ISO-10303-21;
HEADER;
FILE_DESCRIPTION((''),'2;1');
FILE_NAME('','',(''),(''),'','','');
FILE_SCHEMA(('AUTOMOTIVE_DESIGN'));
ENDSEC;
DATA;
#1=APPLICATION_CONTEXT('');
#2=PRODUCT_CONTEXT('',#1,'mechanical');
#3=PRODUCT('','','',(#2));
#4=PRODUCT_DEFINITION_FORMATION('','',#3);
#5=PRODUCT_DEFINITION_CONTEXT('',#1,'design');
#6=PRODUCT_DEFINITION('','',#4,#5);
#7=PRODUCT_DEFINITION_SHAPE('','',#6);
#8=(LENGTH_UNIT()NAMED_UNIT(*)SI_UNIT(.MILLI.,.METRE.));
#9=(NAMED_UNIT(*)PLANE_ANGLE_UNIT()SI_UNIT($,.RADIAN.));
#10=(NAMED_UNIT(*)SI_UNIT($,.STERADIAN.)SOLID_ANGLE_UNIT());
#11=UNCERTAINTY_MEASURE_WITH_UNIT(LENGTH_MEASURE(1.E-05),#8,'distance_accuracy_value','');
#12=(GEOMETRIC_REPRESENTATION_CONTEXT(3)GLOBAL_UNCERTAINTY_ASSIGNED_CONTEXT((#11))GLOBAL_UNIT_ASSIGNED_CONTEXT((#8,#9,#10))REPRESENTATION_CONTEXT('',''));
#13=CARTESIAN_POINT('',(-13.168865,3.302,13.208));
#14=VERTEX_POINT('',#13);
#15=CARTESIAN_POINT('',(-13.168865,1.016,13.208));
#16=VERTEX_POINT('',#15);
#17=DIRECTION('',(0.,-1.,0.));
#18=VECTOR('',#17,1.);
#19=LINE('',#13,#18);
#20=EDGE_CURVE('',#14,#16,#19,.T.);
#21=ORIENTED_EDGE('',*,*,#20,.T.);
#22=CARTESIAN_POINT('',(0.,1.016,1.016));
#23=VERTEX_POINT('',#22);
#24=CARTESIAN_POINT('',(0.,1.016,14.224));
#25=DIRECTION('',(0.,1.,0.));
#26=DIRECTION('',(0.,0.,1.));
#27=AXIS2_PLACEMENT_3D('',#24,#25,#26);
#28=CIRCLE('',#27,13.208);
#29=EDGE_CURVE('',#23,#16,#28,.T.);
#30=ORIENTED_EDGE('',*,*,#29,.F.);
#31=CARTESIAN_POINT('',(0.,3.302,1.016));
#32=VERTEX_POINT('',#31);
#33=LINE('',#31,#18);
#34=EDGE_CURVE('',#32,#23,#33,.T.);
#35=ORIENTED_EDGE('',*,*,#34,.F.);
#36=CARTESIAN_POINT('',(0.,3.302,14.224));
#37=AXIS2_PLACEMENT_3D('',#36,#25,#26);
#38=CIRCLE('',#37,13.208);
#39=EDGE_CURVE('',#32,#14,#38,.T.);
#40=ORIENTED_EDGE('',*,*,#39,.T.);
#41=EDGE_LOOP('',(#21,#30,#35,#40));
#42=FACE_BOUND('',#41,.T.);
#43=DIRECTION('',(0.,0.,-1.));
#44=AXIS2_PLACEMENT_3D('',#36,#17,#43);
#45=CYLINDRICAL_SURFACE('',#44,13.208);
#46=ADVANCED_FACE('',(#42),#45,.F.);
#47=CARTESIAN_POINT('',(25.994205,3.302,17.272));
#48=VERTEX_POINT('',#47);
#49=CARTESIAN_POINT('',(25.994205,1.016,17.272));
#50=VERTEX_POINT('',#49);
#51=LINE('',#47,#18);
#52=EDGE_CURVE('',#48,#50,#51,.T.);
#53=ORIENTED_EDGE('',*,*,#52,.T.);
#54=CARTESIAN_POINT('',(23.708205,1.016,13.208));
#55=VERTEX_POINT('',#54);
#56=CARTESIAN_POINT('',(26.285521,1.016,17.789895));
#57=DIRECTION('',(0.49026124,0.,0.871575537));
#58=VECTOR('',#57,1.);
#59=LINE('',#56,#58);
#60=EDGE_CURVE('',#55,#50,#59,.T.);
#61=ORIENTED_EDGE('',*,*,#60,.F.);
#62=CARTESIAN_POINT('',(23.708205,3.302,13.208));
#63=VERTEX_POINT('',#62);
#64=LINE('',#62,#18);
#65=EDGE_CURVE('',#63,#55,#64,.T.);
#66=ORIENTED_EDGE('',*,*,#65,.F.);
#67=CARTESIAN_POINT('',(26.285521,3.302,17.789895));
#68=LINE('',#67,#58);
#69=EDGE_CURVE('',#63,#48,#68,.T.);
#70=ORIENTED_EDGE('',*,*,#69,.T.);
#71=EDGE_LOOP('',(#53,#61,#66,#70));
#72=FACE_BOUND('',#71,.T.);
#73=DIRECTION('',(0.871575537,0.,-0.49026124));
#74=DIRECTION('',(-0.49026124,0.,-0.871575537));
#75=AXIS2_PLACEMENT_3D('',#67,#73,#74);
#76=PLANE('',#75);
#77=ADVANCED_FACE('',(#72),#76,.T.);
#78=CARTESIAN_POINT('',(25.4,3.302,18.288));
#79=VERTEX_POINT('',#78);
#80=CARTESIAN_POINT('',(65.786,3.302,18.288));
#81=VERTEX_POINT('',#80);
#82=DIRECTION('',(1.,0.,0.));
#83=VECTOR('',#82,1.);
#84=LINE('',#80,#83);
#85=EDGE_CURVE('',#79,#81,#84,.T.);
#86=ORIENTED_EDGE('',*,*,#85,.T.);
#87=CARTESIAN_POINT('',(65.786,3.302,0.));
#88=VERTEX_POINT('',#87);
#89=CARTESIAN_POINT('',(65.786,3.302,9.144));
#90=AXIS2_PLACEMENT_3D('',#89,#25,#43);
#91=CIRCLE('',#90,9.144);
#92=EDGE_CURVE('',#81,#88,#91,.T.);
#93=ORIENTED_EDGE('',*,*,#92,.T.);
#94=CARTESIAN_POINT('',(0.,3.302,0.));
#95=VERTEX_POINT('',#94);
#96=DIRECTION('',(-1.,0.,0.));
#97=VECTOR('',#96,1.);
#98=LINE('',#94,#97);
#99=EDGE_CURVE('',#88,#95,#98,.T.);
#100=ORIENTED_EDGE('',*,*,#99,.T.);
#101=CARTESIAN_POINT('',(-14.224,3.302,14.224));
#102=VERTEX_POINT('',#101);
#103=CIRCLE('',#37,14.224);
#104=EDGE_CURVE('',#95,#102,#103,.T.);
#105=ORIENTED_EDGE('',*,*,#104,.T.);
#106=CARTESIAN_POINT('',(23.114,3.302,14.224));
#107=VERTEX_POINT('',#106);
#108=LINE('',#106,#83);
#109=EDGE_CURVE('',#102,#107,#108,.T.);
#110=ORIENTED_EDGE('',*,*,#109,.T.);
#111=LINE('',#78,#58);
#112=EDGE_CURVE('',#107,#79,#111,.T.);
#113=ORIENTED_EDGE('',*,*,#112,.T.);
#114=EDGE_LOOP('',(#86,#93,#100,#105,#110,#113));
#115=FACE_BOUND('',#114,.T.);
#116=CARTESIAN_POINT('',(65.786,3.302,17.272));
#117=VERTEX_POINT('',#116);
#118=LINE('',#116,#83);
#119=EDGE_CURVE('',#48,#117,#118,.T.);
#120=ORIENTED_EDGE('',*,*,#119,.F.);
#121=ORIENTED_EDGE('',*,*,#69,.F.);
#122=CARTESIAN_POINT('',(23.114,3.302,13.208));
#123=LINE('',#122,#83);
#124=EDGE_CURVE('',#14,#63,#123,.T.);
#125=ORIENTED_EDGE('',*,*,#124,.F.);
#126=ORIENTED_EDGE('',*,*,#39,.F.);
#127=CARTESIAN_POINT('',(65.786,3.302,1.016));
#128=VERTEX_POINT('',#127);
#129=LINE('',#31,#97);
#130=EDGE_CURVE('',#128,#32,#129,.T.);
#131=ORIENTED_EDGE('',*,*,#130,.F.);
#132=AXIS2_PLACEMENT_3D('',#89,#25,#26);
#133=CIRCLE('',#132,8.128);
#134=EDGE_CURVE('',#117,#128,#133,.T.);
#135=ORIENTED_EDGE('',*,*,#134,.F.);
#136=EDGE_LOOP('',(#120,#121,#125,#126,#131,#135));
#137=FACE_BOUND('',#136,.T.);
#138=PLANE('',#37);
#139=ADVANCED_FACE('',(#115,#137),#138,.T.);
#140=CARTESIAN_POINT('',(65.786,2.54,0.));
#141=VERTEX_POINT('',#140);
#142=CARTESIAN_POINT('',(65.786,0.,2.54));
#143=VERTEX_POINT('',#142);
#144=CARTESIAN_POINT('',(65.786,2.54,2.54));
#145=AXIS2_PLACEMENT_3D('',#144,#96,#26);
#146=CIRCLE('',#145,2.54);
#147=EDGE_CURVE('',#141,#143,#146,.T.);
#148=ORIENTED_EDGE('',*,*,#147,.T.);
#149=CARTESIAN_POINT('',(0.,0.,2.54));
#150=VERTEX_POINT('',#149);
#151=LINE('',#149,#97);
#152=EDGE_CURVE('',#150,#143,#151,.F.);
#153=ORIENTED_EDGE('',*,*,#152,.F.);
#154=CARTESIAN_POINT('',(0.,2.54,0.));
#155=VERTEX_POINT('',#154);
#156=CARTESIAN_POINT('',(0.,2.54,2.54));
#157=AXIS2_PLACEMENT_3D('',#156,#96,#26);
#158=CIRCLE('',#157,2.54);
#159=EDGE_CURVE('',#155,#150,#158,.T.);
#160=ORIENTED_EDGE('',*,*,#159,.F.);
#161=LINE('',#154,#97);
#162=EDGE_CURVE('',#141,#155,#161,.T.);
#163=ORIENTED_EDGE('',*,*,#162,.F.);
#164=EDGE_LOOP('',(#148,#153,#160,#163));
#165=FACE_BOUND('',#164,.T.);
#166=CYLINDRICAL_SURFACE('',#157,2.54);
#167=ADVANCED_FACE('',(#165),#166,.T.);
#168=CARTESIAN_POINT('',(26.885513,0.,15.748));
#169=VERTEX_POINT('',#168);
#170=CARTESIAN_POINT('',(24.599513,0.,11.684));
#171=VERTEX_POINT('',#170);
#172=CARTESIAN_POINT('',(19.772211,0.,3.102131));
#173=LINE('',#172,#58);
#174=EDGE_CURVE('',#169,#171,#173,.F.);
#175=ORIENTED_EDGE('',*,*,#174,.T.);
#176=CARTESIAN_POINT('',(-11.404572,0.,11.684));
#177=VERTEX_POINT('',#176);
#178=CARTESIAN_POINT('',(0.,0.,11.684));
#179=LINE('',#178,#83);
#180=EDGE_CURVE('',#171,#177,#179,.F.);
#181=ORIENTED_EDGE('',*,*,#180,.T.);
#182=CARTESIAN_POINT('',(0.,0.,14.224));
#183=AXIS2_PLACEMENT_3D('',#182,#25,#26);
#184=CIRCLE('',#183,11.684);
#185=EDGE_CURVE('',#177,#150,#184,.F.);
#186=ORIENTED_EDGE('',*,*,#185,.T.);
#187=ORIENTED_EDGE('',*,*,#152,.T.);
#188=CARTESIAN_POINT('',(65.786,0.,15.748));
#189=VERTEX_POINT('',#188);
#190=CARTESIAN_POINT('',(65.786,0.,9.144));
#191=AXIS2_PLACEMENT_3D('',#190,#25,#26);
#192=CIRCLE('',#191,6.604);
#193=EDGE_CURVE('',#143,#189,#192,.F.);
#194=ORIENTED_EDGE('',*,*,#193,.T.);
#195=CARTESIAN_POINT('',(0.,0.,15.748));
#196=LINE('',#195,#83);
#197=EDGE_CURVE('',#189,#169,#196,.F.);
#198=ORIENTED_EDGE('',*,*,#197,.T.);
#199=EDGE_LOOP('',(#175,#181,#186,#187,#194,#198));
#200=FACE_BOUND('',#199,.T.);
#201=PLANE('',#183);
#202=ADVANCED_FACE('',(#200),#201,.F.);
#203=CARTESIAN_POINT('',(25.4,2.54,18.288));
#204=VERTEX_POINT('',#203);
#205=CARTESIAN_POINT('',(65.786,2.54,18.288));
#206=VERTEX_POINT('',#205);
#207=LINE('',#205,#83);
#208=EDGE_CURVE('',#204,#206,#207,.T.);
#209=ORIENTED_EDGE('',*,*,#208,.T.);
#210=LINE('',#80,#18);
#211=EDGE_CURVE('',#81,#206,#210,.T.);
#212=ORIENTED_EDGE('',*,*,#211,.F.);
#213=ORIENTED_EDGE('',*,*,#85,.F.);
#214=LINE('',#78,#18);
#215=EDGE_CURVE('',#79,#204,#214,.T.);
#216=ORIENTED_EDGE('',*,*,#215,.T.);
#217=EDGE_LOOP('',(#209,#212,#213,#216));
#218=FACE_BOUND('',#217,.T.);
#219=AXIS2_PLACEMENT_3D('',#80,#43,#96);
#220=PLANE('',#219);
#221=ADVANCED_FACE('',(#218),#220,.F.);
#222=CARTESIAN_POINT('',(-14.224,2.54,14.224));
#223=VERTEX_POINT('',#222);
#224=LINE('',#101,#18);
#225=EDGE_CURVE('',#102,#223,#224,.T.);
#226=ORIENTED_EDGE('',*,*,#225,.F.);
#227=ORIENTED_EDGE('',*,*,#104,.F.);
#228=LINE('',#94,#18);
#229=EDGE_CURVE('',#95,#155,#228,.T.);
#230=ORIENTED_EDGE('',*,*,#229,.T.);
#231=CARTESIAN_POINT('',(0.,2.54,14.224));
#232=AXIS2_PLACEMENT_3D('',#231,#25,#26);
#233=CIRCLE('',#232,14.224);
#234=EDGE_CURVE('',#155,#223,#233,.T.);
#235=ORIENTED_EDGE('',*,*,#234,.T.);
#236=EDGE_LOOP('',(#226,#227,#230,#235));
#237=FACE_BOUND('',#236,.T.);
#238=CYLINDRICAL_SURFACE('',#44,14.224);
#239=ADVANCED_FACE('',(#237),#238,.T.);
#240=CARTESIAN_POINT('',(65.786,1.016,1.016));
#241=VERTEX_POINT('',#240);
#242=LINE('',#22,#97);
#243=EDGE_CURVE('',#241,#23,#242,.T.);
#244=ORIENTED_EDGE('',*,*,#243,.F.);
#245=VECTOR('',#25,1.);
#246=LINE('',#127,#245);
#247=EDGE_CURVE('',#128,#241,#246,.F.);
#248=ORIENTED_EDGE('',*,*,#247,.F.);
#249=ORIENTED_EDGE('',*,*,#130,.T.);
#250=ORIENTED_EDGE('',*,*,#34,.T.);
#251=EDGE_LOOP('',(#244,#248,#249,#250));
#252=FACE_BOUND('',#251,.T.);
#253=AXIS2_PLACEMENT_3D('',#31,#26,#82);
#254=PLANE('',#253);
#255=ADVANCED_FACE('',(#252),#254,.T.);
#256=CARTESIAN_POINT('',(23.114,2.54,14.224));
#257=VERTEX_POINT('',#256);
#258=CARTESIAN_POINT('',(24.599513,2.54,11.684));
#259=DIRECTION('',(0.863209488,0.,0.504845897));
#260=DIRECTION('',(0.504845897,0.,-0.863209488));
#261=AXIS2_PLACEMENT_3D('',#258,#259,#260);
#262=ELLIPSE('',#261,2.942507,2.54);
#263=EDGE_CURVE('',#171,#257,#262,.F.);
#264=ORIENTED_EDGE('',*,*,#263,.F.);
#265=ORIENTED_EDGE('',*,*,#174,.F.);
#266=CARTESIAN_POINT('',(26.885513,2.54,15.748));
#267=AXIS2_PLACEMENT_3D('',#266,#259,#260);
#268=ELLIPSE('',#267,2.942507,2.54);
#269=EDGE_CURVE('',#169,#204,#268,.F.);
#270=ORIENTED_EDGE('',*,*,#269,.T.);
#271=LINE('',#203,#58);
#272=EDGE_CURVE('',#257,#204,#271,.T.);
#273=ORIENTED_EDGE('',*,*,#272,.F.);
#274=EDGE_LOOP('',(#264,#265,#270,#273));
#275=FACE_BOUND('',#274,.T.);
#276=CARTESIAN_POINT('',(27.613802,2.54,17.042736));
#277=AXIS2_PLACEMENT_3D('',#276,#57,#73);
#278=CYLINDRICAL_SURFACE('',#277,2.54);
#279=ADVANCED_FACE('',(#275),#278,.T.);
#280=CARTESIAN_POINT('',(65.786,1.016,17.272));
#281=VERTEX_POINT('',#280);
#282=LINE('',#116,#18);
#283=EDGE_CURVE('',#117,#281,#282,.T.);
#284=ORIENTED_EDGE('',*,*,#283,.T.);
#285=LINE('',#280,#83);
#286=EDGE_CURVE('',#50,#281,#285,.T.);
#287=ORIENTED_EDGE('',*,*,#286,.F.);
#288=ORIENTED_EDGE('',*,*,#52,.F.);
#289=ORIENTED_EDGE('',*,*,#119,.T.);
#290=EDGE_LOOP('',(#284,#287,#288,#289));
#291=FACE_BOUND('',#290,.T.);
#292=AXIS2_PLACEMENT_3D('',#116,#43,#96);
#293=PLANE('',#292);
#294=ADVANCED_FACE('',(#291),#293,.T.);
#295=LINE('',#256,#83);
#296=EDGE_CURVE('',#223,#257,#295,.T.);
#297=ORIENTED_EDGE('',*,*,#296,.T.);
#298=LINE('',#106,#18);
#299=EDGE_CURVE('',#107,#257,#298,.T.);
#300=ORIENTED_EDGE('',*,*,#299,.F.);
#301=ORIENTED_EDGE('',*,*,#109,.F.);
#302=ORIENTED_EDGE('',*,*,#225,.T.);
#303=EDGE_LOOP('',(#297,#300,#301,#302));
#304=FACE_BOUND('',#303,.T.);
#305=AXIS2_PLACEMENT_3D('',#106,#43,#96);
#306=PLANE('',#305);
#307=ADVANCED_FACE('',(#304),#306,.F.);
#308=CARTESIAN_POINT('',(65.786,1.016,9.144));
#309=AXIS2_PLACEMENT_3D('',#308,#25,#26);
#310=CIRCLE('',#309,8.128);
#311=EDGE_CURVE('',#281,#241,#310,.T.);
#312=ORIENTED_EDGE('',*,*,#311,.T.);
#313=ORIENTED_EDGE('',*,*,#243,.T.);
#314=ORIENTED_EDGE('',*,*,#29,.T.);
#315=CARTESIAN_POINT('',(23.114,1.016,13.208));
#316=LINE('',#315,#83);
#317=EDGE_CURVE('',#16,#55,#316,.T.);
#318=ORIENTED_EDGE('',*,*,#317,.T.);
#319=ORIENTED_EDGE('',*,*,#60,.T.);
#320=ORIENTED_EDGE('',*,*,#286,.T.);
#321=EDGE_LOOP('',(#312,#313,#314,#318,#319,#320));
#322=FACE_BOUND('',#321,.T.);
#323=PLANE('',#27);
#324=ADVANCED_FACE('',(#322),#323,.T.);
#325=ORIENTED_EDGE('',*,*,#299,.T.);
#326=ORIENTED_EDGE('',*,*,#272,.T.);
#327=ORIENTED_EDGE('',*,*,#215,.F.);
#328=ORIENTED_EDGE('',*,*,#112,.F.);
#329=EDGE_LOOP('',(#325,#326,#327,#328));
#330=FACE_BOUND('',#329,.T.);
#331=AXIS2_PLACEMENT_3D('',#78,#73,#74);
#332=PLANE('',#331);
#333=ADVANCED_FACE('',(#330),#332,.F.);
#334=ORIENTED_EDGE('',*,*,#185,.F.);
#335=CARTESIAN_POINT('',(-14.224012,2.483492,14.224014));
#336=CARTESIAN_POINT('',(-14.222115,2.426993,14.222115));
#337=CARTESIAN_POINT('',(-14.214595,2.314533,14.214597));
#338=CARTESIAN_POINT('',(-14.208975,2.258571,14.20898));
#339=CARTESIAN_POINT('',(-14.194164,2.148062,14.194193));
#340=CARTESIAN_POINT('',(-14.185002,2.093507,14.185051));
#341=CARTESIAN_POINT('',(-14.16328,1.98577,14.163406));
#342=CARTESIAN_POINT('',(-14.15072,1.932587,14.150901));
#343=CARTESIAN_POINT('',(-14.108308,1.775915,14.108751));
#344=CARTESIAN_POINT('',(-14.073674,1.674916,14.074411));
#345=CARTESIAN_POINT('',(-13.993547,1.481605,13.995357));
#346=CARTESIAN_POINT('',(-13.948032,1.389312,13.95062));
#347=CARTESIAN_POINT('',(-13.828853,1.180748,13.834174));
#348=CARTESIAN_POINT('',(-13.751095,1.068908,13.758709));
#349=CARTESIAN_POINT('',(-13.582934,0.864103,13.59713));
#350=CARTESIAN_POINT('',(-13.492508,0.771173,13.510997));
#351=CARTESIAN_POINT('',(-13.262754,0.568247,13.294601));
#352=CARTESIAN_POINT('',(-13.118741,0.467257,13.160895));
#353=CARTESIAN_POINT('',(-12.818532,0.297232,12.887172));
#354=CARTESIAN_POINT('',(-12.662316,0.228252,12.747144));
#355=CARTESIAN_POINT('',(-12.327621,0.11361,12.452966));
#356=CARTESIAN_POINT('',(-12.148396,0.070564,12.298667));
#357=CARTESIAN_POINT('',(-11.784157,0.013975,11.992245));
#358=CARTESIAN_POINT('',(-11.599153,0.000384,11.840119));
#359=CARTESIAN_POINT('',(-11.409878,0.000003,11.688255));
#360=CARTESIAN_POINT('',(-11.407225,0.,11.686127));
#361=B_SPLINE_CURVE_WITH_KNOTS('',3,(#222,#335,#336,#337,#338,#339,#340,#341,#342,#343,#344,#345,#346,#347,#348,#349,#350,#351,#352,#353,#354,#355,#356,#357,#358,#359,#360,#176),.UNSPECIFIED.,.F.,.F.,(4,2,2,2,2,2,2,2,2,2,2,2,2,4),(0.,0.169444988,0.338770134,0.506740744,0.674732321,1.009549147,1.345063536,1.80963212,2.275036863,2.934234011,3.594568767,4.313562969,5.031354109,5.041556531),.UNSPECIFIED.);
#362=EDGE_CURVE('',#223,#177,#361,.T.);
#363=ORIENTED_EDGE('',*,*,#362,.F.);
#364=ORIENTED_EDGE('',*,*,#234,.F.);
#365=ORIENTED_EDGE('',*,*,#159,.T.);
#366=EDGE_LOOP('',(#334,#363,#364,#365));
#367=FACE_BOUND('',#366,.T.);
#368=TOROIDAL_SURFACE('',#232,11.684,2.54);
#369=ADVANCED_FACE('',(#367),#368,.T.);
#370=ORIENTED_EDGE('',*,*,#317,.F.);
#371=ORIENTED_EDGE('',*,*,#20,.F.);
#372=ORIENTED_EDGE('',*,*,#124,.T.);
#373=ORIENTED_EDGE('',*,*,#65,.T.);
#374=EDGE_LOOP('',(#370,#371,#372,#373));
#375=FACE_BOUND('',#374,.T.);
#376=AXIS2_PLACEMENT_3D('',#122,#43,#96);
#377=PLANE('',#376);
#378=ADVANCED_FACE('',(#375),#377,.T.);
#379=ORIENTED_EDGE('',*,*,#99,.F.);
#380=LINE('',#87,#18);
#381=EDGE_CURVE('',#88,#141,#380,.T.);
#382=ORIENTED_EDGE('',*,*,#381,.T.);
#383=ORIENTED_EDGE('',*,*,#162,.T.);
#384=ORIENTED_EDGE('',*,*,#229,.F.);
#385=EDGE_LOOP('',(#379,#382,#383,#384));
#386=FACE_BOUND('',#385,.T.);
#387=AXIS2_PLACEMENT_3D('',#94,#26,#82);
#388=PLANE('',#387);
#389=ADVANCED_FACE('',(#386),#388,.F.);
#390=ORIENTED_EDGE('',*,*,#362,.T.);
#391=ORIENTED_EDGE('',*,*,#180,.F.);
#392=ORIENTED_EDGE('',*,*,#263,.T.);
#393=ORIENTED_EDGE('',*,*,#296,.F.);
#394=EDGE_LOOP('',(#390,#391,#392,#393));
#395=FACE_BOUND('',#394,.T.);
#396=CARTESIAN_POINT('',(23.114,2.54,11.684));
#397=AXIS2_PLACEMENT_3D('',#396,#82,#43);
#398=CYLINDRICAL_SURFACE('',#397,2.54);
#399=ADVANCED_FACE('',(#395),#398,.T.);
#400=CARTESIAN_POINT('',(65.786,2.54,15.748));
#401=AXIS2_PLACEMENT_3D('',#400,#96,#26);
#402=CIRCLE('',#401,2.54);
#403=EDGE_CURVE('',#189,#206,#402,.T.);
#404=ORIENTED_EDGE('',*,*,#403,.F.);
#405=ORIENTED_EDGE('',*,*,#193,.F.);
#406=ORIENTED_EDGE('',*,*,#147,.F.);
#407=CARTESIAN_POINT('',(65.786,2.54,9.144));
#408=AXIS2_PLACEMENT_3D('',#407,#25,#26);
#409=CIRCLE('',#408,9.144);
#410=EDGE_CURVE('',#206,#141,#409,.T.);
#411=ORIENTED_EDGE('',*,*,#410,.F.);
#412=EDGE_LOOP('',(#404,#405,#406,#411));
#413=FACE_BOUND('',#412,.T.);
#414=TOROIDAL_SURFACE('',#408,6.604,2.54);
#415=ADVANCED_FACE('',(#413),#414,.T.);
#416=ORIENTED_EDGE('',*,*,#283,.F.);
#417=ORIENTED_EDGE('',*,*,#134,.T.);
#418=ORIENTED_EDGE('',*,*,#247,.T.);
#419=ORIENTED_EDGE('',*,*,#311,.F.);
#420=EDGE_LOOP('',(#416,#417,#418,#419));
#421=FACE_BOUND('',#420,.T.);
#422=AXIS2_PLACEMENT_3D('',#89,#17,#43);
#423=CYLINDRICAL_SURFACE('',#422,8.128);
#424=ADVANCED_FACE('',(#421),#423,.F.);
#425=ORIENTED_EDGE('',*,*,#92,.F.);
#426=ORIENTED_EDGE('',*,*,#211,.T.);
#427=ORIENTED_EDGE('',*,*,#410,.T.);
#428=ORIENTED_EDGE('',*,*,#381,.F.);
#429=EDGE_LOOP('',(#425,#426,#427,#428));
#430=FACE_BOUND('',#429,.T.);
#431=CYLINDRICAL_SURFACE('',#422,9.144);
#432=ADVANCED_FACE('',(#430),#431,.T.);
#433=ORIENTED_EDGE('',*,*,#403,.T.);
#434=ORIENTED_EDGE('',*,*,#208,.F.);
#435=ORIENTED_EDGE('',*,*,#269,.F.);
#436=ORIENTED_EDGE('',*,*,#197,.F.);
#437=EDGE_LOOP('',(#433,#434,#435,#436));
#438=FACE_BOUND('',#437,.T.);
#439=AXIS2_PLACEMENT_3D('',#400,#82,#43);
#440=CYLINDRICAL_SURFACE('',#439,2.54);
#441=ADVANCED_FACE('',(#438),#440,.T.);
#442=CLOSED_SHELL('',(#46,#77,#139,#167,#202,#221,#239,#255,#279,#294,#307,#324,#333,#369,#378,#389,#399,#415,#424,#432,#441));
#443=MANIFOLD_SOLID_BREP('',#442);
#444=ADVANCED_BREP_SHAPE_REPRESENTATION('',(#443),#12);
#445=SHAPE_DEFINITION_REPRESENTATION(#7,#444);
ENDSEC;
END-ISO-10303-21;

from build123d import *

# Parameters (mm, degrees)
BOSS_EXTRUDE1_DEPTH = 3.302
SHELL3_T            = -1.016
FILLET2_R           = 2.54


with BuildPart() as part:
    # Sketch1 → Boss-Extrude1 (new body)
    with BuildSketch(Plane(origin=(0, 0, 0), x_dir=(1, 0, 0), z_dir=(0, 1, 0))):
        with BuildLine():
            Line((0, 0), (65.786, 0))
            ThreePointArc((65.786, 0), (74.93, -9.144), (65.786, -18.288))
            Line((65.786, -18.288), (25.4, -18.288))
            Line((25.4, -18.288), (23.114, -14.224))
            Line((23.114, -14.224), (-14.224, -14.224))
            ThreePointArc((-14.224, -14.224), (-10.057886856, -4.166113144), (0, 0))
        make_face()
    extrude(amount=BOSS_EXTRUDE1_DEPTH)

    # Shell3
    shell3_openings = [part.faces().sort_by_distance(p)[0] for p in [
        (28.676685524, 3.302, 10.346352191),
    ]]
    offset(amount=SHELL3_T, openings=shell3_openings, kind=Kind.INTERSECTION)

    # Fillet2
    fillet2_edges = [part.edges().sort_by_distance(p)[0] for p in [
        (32.893, 0, 0),
        (74.93, 0, 9.144),
        (45.593, 0, 18.288),
        (24.257, 0, 16.256),
        (4.445, 0, 14.224),
        (-10.057886856, 0, 4.166113144),
    ]]
    fillet(fillet2_edges, radius=FILLET2_R)


solid = part.part
